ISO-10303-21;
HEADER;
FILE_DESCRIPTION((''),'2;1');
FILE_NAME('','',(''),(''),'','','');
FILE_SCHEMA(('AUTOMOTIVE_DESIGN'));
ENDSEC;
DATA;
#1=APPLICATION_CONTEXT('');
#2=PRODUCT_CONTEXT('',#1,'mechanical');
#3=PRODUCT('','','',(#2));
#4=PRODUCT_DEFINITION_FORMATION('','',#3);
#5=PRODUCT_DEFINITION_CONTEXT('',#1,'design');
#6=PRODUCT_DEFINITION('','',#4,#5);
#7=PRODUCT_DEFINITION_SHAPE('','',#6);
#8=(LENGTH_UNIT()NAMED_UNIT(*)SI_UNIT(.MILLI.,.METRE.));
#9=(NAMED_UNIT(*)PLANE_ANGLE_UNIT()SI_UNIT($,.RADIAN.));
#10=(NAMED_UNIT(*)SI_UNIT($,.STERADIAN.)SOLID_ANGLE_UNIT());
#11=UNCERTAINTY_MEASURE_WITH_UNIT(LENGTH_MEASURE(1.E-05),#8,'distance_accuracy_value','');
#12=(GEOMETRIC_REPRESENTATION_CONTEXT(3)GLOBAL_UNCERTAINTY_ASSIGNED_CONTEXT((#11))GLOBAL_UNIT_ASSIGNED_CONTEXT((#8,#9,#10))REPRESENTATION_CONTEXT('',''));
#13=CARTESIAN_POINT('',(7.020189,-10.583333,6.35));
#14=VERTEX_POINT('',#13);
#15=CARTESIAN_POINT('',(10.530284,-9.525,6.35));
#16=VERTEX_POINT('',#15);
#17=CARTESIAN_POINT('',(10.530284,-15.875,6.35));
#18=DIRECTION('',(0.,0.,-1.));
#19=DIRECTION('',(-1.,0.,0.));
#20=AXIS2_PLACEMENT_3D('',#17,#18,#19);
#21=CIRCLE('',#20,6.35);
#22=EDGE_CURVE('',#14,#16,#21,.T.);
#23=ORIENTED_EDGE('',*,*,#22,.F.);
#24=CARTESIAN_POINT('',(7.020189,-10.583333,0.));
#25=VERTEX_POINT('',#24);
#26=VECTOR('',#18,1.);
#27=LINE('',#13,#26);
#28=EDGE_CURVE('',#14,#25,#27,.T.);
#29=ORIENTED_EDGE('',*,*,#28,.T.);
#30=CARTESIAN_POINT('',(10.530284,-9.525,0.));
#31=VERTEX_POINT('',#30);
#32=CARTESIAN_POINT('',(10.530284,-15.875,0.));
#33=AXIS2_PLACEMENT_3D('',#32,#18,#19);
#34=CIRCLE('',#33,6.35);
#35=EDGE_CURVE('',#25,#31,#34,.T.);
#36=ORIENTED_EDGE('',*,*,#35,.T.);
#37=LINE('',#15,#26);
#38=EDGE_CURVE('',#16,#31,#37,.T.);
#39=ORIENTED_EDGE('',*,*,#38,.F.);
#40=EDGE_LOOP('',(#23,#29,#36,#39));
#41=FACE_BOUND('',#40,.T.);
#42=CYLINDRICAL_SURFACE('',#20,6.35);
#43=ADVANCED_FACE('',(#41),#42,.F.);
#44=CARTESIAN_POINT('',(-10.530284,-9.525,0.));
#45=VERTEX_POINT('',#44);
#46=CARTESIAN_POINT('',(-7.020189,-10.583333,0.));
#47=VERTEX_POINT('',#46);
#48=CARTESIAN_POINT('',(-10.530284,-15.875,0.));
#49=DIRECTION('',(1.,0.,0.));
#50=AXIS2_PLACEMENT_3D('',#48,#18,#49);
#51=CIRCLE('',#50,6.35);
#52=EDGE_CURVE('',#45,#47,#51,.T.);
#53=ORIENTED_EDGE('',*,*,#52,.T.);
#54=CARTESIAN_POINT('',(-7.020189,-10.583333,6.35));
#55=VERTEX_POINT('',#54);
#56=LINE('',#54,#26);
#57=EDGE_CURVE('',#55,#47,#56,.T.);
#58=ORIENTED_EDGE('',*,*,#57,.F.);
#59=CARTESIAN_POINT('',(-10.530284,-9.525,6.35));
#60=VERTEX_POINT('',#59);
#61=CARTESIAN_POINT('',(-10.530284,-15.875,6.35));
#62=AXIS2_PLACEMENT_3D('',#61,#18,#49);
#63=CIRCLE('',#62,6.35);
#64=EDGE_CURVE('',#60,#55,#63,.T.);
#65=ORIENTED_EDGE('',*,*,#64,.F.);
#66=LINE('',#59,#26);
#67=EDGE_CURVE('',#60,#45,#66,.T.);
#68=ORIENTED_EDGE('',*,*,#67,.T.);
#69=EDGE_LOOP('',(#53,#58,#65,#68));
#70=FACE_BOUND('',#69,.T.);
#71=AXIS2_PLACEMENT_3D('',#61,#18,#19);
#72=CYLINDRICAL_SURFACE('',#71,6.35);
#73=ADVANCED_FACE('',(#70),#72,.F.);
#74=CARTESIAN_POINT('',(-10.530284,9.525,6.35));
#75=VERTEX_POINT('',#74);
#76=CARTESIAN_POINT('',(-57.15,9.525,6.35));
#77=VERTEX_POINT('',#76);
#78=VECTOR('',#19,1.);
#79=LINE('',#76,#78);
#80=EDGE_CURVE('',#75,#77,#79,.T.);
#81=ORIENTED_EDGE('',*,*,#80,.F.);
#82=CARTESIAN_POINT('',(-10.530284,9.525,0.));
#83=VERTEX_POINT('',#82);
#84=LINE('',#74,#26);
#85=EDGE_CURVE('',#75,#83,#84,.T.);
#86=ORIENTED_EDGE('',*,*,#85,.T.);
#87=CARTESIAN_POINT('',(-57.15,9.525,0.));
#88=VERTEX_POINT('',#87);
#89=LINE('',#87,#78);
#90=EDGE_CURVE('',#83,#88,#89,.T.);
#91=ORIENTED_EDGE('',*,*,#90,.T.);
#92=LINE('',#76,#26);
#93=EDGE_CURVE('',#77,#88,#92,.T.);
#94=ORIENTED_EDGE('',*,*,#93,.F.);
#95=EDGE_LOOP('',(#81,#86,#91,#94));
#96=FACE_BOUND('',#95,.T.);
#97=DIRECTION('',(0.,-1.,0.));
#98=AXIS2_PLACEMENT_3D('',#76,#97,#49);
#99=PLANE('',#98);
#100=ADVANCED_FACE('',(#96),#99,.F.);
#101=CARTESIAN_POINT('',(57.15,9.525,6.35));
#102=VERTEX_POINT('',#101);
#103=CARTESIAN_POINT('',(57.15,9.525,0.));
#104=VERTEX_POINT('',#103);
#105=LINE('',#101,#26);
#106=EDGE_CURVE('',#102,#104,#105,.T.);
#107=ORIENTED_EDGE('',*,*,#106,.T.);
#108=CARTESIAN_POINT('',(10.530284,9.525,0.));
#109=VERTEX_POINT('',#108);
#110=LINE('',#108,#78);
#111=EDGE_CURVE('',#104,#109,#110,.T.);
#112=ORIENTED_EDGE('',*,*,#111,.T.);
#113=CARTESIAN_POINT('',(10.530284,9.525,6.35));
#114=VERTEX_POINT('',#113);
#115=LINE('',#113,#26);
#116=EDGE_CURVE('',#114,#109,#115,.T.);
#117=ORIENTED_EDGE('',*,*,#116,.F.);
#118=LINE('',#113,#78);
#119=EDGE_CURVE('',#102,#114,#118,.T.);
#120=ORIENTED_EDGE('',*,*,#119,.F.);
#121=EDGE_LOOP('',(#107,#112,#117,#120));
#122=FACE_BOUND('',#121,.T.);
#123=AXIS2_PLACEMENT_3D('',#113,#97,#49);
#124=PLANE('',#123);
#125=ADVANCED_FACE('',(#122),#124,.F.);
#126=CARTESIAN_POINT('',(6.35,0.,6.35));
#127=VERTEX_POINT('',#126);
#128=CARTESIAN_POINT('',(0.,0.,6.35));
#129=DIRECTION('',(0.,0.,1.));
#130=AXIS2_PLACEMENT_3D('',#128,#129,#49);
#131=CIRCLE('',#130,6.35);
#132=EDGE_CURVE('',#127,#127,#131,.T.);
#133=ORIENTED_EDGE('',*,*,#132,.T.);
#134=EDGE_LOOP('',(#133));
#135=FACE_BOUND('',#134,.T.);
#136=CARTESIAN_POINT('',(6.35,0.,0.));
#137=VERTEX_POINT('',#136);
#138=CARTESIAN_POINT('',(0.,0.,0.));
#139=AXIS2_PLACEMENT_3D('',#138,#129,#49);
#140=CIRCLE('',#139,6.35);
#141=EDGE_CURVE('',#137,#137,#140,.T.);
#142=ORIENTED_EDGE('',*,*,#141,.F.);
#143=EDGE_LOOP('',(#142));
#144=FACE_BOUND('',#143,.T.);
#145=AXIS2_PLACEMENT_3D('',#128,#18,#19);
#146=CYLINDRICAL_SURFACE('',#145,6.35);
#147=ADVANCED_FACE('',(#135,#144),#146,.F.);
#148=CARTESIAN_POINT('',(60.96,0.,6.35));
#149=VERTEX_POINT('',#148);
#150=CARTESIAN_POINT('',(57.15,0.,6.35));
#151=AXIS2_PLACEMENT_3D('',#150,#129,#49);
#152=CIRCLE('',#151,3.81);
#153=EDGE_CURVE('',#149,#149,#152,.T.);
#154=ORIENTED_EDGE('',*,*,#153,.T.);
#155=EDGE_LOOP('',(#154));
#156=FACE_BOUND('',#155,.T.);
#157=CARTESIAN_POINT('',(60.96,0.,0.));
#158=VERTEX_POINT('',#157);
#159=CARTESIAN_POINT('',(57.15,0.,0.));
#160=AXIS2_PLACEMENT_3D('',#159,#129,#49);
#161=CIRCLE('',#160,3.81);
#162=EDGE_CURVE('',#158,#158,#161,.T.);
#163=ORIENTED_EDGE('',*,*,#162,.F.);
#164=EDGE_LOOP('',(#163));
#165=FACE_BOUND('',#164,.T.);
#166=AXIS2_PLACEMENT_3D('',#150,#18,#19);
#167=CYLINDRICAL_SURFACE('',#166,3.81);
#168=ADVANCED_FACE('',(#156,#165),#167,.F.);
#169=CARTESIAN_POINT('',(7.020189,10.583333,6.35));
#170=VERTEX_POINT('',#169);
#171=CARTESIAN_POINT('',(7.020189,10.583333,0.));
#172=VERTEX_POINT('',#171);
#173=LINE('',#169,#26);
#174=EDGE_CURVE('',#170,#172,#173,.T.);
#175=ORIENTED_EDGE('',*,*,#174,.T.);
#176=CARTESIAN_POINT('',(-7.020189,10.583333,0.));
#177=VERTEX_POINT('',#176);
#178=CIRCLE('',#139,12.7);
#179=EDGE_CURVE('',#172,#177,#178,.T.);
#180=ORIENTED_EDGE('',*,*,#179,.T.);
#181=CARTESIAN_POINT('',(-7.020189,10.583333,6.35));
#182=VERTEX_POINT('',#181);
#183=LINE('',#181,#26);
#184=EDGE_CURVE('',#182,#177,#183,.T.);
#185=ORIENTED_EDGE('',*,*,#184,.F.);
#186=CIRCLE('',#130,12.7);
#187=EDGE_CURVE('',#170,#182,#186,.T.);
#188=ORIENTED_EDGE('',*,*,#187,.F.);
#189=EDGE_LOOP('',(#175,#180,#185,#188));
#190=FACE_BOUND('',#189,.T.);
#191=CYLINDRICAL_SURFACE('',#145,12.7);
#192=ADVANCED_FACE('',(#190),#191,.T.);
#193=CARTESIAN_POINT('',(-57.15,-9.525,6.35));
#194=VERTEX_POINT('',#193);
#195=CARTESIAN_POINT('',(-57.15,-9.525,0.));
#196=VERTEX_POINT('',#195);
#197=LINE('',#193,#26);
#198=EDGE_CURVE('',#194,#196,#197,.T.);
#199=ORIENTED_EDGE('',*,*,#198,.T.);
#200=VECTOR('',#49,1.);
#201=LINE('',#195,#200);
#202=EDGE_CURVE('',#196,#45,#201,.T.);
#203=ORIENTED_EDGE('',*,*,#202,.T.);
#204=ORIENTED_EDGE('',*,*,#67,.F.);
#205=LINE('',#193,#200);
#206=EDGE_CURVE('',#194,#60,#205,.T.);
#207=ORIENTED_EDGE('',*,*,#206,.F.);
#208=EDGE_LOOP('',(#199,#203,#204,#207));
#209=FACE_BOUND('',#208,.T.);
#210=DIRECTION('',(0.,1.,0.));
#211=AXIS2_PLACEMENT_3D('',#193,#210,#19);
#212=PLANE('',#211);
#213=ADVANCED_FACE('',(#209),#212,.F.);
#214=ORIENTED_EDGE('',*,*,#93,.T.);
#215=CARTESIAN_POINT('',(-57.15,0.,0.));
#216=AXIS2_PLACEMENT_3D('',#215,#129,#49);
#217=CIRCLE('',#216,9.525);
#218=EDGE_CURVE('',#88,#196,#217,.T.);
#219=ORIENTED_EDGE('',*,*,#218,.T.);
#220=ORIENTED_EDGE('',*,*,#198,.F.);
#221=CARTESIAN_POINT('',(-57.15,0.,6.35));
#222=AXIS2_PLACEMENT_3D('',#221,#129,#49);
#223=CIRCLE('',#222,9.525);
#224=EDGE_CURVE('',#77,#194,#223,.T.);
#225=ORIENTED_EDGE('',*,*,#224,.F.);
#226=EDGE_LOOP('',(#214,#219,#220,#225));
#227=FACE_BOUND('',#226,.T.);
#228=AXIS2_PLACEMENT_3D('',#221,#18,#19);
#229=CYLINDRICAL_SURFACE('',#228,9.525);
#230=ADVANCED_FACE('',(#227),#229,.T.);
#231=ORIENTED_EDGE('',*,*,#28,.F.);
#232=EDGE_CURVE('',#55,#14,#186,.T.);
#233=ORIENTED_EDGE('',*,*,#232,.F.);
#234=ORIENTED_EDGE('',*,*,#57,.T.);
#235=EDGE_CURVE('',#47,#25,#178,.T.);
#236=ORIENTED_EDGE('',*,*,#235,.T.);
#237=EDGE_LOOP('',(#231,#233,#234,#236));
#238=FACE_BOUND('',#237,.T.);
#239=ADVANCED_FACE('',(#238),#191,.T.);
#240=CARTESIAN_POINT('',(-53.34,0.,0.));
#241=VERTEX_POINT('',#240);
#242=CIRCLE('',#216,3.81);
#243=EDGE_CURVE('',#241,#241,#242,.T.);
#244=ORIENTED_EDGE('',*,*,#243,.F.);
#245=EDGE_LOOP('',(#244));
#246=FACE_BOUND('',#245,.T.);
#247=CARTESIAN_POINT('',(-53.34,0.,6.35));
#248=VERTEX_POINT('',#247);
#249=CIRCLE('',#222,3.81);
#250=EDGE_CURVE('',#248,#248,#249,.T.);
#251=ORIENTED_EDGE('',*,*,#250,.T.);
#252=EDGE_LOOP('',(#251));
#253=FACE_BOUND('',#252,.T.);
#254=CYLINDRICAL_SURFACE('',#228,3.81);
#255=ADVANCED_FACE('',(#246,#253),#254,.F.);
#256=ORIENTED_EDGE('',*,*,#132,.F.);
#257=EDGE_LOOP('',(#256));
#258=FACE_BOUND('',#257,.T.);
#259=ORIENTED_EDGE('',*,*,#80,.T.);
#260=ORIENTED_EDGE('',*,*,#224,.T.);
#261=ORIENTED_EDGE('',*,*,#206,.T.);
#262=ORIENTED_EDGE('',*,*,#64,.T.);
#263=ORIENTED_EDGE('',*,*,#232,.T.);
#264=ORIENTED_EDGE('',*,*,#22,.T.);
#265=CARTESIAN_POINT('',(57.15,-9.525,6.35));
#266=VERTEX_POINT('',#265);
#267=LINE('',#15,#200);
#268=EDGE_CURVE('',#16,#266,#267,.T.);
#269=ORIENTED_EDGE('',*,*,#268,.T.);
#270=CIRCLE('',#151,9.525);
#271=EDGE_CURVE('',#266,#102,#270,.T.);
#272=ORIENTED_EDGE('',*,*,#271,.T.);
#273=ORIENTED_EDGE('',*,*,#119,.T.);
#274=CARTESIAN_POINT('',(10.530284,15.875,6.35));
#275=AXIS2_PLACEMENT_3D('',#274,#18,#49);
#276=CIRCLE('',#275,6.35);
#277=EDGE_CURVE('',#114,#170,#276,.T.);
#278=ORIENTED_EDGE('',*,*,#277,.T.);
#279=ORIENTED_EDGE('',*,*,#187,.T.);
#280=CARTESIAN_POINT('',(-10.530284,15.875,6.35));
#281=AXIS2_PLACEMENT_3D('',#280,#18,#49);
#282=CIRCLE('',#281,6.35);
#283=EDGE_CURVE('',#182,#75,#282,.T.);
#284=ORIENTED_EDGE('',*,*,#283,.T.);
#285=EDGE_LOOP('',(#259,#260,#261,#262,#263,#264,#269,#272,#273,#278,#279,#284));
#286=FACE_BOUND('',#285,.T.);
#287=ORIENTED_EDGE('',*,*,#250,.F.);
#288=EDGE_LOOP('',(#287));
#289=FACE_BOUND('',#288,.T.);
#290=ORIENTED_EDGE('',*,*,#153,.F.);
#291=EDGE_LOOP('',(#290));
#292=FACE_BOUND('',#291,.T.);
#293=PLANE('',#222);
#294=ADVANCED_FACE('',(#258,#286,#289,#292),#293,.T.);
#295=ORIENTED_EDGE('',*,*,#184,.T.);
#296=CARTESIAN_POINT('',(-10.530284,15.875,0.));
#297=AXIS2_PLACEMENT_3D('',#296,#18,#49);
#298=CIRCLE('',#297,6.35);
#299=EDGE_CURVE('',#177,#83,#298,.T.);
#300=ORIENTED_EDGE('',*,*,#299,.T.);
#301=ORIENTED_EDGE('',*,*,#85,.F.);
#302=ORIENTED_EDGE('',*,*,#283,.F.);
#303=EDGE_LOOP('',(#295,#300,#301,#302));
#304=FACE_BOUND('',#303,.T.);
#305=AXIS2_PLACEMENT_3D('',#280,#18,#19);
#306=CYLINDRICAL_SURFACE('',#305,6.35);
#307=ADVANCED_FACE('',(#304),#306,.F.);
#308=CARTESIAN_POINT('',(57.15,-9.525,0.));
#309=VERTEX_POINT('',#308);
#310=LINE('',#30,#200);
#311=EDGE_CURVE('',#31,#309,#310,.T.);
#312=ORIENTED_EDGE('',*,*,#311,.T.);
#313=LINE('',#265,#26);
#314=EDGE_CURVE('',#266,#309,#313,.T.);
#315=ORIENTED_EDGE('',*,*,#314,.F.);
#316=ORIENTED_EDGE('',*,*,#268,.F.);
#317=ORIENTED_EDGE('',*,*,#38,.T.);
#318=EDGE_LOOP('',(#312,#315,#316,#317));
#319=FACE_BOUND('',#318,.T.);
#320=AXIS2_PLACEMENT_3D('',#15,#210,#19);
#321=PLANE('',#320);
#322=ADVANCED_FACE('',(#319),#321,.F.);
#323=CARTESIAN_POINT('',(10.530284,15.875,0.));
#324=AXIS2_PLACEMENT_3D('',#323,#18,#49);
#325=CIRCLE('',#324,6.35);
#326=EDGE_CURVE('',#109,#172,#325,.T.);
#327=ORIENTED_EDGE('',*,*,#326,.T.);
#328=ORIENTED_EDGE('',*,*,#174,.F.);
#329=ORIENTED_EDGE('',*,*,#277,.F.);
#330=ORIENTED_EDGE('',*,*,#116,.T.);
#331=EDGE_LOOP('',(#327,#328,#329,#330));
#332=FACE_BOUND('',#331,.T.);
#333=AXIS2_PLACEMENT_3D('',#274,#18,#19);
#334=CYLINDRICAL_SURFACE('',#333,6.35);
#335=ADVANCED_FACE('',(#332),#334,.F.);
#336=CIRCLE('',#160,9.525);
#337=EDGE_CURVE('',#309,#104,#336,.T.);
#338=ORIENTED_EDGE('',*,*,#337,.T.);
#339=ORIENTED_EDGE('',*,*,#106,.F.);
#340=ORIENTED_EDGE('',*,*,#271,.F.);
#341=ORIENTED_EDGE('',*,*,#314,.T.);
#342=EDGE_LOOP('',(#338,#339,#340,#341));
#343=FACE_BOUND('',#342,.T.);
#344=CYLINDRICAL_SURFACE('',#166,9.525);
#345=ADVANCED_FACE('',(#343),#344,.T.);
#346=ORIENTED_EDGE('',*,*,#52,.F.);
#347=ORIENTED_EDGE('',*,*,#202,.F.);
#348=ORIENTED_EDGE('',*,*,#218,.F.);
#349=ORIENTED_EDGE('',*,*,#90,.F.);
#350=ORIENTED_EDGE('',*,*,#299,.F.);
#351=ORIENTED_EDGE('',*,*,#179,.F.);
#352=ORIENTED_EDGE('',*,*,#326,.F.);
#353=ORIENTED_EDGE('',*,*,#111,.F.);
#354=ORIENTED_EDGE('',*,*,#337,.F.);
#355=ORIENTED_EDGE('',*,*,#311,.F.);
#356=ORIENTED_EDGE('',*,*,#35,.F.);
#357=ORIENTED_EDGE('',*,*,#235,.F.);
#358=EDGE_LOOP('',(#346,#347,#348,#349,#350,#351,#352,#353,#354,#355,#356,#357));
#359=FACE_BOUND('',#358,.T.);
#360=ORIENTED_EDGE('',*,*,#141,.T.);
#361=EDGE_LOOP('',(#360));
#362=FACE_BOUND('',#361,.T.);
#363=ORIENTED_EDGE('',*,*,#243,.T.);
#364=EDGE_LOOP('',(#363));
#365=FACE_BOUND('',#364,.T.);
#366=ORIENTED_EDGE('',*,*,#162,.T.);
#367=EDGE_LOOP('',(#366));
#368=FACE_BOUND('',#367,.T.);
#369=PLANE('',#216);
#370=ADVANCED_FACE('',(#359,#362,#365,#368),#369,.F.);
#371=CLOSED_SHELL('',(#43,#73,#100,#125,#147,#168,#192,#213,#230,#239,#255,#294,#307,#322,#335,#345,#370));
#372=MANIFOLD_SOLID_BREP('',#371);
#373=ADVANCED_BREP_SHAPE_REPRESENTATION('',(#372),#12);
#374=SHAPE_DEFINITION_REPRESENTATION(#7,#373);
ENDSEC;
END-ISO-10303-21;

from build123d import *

# Parameters (mm, degrees)
SKETCH1_R           = 3.81
SKETCH1_R_2         = 6.35
BOSS_EXTRUDE1_DEPTH = 6.35


with BuildPart() as part:
    # Sketch1 → Boss-Extrude1 (new body)
    with BuildSketch(Plane.XY):
        with BuildLine():
            Line((-57.15, 9.525), (-10.530283709, 9.525))
            ThreePointArc((-10.530283709, 9.525), (-8.697196605, 9.795337866), (-7.02018914, 10.583333333))
            ThreePointArc((-7.02018914, 10.583333333), (0, 12.7), (7.02018914, 10.583333333))
            ThreePointArc((7.02018914, 10.583333333), (8.697196605, 9.795337866), (10.530283709, 9.525))
            Line((10.530283709, 9.525), (57.15, 9.525))
            ThreePointArc((57.15, 9.525), (66.675, 0), (57.15, -9.525))
            Line((57.15, -9.525), (10.530283709, -9.525))
            ThreePointArc((10.530283709, -9.525), (8.697196605, -9.795337866), (7.02018914, -10.583333333))
            ThreePointArc((7.02018914, -10.583333333), (0, -12.7), (-7.02018914, -10.583333333))
            ThreePointArc((-7.02018914, -10.583333333), (-8.697196605, -9.795337866), (-10.530283709, -9.525))
            Line((-10.530283709, -9.525), (-57.15, -9.525))
            ThreePointArc((-57.15, -9.525), (-66.675, 0), (-57.15, 9.525))
        make_face()
        with Locations((-57.15, 0)):
            Circle(SKETCH1_R, mode=Mode.SUBTRACT)
        with Locations((57.15, 0)):
            Circle(SKETCH1_R, mode=Mode.SUBTRACT)
        Circle(SKETCH1_R_2, mode=Mode.SUBTRACT)
    extrude(amount=BOSS_EXTRUDE1_DEPTH)


solid = part.part
